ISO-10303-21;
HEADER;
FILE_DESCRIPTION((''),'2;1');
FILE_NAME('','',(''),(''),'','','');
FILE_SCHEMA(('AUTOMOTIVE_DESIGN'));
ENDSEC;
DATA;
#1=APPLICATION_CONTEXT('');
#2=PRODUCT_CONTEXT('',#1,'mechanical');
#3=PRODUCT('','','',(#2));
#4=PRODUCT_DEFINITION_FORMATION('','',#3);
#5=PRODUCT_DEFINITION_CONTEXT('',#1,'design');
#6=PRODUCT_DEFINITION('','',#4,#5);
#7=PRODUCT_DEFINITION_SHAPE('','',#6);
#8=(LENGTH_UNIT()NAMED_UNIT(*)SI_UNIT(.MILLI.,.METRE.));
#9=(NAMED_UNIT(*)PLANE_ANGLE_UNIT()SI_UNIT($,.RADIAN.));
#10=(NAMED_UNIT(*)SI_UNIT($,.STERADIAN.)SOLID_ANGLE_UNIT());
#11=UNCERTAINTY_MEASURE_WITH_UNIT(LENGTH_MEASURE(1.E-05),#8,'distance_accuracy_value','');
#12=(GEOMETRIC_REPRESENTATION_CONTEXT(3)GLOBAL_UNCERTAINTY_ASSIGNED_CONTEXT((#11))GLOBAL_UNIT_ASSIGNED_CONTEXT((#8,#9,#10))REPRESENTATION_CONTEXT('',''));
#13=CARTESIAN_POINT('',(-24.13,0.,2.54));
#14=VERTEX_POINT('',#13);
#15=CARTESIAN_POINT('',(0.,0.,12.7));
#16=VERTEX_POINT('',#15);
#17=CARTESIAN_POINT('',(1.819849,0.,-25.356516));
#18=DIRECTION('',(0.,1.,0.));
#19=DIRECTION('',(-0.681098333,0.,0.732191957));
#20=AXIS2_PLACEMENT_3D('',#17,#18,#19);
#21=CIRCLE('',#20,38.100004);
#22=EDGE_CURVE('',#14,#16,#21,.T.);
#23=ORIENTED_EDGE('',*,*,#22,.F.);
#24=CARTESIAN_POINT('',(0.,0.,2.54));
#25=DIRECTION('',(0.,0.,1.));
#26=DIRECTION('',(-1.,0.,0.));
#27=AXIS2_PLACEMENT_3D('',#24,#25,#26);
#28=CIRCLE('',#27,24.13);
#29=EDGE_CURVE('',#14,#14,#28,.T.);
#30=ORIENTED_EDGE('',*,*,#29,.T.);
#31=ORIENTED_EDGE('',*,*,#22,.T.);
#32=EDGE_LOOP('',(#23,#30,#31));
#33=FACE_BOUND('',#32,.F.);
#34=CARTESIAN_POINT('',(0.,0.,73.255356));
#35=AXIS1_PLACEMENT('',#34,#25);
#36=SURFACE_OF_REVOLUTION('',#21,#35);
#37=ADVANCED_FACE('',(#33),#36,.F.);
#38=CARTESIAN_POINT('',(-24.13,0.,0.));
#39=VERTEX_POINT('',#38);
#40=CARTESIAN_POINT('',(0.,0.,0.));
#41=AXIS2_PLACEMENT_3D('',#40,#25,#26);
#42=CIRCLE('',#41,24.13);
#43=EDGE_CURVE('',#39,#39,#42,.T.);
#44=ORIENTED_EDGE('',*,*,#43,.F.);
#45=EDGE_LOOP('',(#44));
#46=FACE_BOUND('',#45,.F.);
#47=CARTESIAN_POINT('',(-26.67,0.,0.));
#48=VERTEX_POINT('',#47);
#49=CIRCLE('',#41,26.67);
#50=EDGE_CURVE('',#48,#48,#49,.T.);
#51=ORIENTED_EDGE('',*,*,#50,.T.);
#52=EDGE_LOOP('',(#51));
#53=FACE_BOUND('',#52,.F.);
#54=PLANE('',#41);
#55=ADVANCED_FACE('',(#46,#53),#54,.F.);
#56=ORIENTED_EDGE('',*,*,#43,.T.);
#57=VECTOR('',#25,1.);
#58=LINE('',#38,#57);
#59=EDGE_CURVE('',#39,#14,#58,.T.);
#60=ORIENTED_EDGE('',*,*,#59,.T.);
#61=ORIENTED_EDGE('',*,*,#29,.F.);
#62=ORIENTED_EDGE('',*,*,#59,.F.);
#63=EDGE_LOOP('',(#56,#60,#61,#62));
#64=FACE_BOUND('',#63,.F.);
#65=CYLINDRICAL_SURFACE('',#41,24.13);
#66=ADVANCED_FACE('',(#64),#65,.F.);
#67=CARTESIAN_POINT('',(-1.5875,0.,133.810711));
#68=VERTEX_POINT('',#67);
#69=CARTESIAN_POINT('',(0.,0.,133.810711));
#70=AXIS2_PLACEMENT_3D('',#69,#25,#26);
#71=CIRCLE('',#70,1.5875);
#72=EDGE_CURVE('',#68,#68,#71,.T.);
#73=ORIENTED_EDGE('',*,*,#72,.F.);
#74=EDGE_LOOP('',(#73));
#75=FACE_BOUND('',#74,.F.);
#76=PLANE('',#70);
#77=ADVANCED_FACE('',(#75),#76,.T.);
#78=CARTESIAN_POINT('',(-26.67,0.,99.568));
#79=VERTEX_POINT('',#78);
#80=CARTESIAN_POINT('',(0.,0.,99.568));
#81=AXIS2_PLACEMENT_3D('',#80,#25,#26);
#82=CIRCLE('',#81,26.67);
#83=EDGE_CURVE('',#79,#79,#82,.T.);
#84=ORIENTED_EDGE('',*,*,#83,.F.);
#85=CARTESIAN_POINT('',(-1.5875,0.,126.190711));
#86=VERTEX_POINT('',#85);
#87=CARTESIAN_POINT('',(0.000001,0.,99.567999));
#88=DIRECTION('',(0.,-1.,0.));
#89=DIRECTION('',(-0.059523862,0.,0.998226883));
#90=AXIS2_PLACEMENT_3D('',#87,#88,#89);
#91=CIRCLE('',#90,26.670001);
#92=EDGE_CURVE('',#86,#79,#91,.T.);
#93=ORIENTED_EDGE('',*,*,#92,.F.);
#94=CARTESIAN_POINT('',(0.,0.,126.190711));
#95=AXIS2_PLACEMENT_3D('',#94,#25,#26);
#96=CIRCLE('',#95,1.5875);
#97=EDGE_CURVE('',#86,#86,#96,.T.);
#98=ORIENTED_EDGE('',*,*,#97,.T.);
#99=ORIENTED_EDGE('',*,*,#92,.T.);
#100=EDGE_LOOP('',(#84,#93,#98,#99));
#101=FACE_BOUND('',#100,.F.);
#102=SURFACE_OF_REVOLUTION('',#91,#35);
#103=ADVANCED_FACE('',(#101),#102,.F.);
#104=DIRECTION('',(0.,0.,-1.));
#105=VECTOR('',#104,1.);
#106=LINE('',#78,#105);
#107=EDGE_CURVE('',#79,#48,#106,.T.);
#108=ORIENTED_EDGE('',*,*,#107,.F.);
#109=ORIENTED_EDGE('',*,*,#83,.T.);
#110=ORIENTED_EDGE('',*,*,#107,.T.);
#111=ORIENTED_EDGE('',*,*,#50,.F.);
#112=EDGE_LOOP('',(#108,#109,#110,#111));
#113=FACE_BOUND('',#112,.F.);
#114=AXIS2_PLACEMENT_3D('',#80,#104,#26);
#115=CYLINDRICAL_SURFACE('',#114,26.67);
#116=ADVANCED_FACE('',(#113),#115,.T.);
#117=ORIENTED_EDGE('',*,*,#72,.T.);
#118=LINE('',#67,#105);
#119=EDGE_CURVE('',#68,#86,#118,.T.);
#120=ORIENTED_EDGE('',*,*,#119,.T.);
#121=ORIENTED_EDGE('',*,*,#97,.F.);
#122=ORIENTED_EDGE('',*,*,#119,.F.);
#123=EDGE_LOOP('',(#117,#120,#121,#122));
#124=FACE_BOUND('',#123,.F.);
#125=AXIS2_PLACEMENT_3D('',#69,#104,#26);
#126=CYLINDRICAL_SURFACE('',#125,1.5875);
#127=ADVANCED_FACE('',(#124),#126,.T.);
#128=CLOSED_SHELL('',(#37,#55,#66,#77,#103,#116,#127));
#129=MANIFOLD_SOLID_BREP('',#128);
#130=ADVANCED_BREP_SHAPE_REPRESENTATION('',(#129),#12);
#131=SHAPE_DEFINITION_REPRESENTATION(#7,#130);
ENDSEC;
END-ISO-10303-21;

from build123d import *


with BuildPart() as f1:
    # F0 (on Front) → F1 (revolve)
    with BuildSketch(Plane.XZ):
        with BuildLine():
            Line((-26.67, 99.568), (-26.67, 0))
            Line((-26.67, 0), (-24.13, 0))
            Line((-24.13, 0), (-24.13, 2.54))
            ThreePointArc((-24.13, 2.54), (-12.965124, 9.757795), (0, 12.7))
            Line((0, 12.7), (0, 133.810711))
            Line((0, 133.810711), (-1.5875, 133.810711))
            Line((-1.5875, 133.810711), (-1.5875, 126.190711))
            ThreePointArc((-1.5875, 126.190711), (-19.411691, 117.856661), (-26.67, 99.568))
        make_face()
    revolve(axis=Axis((0, 0, 73.255356), (0, 0, 1)))


with BuildPart() as f3:
    # F2 (on Front) → F3 (revolve)
    with BuildSketch(Plane.XZ):
        Polygon((-9.525, 133.810711), (0, 133.810711), (0, 151.590711), (-1.5875, 151.590711), (-1.5875, 138.890711), (-12.065, 138.890711), (-12.065, 121.110711), (-9.525, 121.110711), align=None)
    revolve(axis=Axis((0, 0, 142.700711), (0, 0, -1)))


solid = f1.part
